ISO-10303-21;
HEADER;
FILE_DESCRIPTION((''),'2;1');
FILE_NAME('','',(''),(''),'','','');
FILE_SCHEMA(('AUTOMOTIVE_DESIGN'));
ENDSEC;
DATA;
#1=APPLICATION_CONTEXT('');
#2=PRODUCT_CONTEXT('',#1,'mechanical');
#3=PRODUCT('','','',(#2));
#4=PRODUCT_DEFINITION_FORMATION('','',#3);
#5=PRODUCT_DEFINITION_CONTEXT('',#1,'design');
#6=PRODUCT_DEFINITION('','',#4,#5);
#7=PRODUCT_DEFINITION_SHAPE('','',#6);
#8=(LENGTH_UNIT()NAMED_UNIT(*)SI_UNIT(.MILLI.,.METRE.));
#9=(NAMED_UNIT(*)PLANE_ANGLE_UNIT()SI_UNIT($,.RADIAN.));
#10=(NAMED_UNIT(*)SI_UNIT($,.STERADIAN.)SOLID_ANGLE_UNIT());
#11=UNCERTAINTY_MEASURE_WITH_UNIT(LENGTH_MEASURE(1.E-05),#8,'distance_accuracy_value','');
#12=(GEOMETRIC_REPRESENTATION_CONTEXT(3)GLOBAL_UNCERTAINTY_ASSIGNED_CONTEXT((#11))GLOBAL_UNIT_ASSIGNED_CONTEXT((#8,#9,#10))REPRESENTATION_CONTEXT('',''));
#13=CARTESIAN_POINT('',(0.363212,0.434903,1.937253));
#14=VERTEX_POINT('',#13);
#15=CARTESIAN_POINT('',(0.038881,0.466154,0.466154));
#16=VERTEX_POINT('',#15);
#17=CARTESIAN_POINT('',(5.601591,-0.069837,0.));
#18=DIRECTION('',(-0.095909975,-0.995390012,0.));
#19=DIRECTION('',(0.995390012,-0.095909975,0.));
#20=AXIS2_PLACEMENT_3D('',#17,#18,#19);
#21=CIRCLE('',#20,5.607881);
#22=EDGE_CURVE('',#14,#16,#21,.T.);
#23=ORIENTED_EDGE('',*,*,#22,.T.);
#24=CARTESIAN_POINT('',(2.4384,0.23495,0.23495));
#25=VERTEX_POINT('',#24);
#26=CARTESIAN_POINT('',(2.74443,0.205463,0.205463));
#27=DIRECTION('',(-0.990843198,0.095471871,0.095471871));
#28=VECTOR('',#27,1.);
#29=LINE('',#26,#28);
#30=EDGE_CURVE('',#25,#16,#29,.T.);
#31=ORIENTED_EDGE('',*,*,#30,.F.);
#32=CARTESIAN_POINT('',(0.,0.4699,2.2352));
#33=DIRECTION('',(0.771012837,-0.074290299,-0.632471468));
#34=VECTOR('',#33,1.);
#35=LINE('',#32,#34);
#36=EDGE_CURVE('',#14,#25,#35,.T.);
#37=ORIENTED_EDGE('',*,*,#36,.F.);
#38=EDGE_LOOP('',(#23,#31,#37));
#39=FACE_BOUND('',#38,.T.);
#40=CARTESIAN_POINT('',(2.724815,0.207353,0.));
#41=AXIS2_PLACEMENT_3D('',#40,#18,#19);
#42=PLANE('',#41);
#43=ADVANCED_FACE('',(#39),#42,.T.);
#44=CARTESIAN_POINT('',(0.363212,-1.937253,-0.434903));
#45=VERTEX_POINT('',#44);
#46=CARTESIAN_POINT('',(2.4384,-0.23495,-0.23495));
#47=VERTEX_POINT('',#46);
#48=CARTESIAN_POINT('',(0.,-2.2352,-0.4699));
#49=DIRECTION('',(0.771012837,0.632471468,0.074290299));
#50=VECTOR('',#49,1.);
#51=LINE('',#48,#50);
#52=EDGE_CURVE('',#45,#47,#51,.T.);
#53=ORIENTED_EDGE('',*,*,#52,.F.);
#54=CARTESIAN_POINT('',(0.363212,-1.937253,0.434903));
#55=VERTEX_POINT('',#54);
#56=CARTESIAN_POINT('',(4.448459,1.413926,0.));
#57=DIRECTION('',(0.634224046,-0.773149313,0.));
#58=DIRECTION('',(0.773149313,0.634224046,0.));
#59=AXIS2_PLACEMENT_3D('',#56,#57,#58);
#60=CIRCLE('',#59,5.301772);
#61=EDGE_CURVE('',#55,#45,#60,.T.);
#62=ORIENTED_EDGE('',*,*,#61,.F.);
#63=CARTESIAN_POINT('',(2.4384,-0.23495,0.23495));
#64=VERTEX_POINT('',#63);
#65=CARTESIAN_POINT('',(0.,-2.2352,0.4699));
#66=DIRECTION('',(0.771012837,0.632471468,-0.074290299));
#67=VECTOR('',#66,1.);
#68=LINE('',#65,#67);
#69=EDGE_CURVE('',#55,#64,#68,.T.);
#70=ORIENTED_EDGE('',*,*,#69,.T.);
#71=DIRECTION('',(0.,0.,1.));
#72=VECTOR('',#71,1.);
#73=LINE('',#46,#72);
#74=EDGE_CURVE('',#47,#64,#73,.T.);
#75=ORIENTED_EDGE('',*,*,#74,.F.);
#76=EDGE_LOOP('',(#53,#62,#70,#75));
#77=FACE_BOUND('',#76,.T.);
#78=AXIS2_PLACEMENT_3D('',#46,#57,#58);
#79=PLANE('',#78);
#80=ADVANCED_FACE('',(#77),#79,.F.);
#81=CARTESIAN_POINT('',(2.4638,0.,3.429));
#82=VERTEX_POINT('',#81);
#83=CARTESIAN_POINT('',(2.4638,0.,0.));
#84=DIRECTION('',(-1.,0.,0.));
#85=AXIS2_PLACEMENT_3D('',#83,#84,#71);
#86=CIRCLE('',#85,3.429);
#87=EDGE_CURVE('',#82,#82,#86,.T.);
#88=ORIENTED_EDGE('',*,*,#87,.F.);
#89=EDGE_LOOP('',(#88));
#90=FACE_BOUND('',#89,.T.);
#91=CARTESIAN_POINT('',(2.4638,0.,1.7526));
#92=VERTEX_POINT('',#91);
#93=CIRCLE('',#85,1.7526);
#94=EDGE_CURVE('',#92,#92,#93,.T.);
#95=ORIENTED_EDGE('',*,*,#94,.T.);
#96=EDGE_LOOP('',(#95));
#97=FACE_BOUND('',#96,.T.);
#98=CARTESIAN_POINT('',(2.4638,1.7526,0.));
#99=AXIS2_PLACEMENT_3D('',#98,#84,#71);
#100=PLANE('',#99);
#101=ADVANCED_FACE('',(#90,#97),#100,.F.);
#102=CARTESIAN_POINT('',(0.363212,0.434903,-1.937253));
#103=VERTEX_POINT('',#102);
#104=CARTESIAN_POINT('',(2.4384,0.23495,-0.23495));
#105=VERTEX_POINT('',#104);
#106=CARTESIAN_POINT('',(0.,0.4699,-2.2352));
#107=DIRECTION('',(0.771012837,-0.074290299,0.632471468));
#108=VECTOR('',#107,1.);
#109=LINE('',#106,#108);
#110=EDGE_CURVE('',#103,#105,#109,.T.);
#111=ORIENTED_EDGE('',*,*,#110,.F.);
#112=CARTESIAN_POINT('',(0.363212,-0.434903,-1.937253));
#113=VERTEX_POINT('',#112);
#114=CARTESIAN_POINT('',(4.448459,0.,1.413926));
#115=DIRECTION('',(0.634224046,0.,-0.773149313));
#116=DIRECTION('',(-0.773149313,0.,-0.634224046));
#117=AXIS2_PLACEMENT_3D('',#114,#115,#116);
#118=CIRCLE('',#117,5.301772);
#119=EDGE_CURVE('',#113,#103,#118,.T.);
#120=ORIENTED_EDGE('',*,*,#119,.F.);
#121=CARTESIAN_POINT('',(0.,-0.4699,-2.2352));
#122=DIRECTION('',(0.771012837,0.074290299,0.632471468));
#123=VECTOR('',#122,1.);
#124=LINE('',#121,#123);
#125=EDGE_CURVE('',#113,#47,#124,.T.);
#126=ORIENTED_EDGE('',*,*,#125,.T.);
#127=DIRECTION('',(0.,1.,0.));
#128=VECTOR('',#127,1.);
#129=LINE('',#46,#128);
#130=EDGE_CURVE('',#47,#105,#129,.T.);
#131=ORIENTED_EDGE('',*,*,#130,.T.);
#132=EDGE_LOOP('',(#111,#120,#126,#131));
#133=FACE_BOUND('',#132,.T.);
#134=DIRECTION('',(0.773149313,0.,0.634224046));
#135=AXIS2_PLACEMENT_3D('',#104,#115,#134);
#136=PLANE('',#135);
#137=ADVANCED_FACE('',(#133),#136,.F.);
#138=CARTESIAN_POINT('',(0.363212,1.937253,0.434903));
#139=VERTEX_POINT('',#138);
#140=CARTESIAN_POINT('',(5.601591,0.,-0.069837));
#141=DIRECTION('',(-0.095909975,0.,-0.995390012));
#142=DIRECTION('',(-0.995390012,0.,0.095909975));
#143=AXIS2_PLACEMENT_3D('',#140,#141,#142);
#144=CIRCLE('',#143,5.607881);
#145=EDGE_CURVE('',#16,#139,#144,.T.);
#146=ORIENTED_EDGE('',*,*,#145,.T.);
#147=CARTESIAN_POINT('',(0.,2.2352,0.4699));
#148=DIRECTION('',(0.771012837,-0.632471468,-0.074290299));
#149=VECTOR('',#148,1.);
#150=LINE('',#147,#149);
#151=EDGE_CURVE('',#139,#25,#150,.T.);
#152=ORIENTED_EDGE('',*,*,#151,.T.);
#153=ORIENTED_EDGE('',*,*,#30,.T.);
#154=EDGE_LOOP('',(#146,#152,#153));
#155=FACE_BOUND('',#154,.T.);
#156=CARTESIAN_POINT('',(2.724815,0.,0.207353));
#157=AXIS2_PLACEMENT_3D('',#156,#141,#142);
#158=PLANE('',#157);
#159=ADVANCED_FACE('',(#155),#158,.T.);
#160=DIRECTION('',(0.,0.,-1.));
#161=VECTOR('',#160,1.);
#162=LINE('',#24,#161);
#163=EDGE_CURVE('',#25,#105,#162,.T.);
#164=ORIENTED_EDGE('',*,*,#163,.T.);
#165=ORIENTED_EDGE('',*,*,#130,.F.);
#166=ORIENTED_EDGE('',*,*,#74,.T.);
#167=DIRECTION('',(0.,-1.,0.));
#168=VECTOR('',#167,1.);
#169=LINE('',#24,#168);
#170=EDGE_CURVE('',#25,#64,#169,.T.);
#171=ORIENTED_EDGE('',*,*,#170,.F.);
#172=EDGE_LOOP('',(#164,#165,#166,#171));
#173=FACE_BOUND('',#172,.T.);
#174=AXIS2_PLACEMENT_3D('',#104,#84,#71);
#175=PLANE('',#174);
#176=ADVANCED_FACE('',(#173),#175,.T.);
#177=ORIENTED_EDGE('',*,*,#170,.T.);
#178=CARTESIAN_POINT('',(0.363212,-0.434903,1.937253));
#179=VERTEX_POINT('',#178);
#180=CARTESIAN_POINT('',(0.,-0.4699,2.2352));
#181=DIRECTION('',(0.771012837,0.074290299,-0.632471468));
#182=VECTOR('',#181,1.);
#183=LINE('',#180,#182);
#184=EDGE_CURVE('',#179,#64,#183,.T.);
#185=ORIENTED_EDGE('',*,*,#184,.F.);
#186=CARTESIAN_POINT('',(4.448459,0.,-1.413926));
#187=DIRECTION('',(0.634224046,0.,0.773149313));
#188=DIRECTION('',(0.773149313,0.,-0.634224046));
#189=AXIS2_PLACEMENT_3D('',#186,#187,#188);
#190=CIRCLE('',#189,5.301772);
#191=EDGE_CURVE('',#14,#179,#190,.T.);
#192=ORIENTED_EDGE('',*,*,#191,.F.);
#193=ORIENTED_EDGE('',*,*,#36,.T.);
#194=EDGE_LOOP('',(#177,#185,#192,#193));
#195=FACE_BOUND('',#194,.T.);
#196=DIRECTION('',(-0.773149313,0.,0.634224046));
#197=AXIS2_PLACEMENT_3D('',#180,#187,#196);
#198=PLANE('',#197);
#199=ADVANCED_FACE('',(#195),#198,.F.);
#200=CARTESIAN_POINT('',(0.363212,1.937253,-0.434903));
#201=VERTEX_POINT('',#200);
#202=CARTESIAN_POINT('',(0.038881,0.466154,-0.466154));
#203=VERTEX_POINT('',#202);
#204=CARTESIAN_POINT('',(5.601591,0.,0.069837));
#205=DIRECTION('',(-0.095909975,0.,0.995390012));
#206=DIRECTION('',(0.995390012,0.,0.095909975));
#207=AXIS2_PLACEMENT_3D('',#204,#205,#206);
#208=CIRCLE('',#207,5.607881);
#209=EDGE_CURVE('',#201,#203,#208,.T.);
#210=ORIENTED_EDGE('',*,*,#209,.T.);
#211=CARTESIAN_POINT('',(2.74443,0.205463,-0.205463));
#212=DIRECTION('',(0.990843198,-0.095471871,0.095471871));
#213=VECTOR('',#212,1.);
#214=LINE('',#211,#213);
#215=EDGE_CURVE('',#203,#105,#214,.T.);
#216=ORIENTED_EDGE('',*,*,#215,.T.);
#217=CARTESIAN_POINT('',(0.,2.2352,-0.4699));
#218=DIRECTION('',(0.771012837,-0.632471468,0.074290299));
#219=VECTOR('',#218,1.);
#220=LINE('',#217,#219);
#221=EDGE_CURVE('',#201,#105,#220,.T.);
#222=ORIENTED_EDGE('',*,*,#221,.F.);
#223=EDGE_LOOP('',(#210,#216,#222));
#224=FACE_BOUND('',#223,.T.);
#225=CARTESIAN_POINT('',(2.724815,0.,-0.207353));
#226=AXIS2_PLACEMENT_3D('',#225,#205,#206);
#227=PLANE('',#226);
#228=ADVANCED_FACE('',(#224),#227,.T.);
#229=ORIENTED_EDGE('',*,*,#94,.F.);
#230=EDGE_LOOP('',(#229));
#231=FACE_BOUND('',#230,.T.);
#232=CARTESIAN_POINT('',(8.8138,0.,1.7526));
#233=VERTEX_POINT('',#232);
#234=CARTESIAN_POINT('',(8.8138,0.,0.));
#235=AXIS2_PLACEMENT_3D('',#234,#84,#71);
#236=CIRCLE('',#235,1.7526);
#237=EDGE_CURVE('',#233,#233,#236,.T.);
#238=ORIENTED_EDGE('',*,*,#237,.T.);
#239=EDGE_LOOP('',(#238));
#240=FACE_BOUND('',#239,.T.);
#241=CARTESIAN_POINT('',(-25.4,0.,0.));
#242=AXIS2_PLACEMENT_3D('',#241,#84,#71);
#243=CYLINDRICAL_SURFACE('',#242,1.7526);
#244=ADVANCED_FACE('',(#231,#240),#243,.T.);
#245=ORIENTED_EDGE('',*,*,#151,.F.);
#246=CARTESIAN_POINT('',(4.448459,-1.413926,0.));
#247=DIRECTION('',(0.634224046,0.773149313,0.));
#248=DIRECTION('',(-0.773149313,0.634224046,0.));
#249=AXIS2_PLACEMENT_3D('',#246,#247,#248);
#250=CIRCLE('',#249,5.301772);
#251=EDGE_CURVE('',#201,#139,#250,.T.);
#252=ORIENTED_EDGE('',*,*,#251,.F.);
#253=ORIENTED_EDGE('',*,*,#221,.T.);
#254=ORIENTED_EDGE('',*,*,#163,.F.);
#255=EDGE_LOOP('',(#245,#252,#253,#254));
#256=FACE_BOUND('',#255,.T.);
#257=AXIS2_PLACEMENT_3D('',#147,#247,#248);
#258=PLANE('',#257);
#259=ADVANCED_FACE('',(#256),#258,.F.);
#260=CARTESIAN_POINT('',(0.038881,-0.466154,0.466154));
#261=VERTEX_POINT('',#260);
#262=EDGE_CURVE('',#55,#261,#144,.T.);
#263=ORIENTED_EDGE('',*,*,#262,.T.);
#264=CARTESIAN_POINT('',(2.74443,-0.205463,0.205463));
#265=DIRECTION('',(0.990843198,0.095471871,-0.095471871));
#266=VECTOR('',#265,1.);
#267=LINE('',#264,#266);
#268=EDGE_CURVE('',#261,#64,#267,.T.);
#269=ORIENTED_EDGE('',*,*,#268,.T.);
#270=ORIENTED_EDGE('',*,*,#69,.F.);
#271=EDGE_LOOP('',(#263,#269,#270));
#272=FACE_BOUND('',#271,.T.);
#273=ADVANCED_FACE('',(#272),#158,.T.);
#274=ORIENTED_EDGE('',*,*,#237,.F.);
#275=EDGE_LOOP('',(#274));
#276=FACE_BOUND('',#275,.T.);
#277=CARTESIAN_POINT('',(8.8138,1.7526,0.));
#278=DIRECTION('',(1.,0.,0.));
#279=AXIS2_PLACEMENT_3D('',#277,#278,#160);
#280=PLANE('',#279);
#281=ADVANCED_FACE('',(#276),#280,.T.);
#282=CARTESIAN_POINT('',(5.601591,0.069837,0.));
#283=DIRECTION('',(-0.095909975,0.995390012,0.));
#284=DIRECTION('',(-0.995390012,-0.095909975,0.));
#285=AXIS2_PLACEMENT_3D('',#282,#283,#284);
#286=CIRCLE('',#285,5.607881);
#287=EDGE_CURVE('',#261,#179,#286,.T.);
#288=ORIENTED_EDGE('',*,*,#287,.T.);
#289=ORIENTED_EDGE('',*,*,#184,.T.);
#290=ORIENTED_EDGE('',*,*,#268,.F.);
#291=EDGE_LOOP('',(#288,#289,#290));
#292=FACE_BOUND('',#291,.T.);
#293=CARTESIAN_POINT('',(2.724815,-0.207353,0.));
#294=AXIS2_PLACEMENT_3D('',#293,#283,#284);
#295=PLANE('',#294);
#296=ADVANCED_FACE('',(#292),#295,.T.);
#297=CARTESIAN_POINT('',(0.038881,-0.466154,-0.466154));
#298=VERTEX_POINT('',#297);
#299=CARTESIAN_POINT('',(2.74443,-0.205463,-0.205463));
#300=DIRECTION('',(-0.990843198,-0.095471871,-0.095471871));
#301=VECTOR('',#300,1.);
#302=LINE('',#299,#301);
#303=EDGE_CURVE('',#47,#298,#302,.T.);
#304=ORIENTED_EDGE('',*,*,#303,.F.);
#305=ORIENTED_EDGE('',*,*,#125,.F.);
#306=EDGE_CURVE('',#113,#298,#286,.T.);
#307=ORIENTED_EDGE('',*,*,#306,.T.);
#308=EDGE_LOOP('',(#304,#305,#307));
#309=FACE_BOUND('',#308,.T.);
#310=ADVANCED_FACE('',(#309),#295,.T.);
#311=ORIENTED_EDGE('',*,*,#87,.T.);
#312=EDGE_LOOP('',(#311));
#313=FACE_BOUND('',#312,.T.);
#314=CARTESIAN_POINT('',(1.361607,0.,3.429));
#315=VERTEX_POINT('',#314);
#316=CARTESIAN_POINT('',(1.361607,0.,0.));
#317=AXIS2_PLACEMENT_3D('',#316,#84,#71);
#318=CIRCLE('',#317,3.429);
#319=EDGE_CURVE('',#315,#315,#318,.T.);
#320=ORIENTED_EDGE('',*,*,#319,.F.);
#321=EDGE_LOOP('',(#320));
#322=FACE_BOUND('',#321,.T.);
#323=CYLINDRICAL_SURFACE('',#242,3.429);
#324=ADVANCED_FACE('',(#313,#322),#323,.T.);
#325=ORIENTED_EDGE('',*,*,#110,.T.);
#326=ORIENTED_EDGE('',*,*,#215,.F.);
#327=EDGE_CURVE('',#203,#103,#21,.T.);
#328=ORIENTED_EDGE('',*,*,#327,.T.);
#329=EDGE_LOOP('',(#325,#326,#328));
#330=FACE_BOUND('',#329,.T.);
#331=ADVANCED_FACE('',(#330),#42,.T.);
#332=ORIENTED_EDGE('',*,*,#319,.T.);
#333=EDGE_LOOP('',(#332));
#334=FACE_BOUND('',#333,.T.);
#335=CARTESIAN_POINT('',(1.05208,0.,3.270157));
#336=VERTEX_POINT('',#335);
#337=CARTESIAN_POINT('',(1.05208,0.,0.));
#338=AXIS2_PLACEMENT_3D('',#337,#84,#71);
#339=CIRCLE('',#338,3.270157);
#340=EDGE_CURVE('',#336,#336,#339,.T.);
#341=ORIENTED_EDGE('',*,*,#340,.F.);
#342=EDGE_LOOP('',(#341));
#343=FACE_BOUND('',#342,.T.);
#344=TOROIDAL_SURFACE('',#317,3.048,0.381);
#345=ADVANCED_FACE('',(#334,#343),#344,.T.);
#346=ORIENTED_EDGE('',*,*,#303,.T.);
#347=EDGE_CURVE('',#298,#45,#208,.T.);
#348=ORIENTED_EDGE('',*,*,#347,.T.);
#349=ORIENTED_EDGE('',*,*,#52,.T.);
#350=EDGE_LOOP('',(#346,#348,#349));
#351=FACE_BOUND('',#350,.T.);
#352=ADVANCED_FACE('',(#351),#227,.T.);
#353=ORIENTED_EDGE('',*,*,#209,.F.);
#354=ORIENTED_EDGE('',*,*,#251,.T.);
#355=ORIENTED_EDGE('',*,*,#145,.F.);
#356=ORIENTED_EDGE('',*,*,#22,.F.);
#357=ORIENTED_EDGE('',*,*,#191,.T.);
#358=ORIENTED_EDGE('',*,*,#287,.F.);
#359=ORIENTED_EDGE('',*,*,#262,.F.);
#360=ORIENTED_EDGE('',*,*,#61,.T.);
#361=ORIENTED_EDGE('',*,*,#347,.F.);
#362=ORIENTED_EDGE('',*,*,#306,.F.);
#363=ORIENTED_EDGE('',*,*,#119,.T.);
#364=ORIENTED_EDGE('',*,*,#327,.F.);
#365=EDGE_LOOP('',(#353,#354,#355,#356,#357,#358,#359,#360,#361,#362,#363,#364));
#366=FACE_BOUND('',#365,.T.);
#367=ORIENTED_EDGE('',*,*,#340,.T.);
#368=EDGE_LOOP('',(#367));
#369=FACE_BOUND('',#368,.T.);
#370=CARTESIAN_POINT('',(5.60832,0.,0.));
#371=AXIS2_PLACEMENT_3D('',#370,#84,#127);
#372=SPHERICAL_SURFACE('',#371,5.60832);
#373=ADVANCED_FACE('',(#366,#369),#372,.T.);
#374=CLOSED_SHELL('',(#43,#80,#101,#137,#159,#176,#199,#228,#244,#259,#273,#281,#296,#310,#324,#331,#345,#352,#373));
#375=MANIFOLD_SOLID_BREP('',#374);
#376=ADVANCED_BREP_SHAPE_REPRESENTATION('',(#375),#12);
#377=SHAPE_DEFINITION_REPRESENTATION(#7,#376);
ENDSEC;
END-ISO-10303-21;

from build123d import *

# Parameters (mm, degrees)
SKETCH3_W         = 0.9398
SKETCH3_H         = 4.4704
SKETCH4_W         = 0.4699
SKETCH4_H         = 0.4699
CIRPATTERN1_COUNT = 2
CIRPATTERN1_ANGLE = 90


with BuildPart() as part:
    # BodySke → Base-Revolve (revolve)
    with BuildSketch(Plane.XY):
        with BuildLine():
            Line((2.4638, 1.7526), (2.4638, 3.429))
            Line((2.4638, 3.429), (1.361607109, 3.429))
            ThreePointArc((1.361607109, 3.429), (1.187654504, 3.386971225), (1.05207993, 3.270157434))
            ThreePointArc((1.05207993, 3.270157434), (0.269494964, 1.717614758), (0, 0))
            Line((0, 0), (8.8138, 0))
            Line((8.8138, 0), (8.8138, 1.7526))
            Line((8.8138, 1.7526), (2.4638, 1.7526))
        make_face()
    revolve(axis=Axis((-25.4, 0, 0), (1, 0, 0)))

    # Sketch3 → Cut-Loft1 section 0
    with BuildSketch(Plane(origin=(0, 0, 0), x_dir=(0, 0, -1), z_dir=(1, 0, 0))):
        Rectangle(SKETCH3_W, SKETCH3_H)
    # Sketch4 → Cut-Loft1 section 1
    with BuildSketch(Plane(origin=(2.4384, 0, 0), x_dir=(0, 0, -1), z_dir=(1, 0, 0))):
        Rectangle(SKETCH4_W, SKETCH4_H)
    cut_loft1 = loft(mode=Mode.SUBTRACT)

    # CirPattern1: Cut-Loft1 ×2 about axis
    cirpattern1_axis = Axis((0, 0, 0), (1, 0, 0))
    for i in range(1, CIRPATTERN1_COUNT):
        add(cut_loft1.rotate(cirpattern1_axis, i * CIRPATTERN1_ANGLE / (CIRPATTERN1_COUNT - 1)), mode=Mode.SUBTRACT)


solid = part.part
